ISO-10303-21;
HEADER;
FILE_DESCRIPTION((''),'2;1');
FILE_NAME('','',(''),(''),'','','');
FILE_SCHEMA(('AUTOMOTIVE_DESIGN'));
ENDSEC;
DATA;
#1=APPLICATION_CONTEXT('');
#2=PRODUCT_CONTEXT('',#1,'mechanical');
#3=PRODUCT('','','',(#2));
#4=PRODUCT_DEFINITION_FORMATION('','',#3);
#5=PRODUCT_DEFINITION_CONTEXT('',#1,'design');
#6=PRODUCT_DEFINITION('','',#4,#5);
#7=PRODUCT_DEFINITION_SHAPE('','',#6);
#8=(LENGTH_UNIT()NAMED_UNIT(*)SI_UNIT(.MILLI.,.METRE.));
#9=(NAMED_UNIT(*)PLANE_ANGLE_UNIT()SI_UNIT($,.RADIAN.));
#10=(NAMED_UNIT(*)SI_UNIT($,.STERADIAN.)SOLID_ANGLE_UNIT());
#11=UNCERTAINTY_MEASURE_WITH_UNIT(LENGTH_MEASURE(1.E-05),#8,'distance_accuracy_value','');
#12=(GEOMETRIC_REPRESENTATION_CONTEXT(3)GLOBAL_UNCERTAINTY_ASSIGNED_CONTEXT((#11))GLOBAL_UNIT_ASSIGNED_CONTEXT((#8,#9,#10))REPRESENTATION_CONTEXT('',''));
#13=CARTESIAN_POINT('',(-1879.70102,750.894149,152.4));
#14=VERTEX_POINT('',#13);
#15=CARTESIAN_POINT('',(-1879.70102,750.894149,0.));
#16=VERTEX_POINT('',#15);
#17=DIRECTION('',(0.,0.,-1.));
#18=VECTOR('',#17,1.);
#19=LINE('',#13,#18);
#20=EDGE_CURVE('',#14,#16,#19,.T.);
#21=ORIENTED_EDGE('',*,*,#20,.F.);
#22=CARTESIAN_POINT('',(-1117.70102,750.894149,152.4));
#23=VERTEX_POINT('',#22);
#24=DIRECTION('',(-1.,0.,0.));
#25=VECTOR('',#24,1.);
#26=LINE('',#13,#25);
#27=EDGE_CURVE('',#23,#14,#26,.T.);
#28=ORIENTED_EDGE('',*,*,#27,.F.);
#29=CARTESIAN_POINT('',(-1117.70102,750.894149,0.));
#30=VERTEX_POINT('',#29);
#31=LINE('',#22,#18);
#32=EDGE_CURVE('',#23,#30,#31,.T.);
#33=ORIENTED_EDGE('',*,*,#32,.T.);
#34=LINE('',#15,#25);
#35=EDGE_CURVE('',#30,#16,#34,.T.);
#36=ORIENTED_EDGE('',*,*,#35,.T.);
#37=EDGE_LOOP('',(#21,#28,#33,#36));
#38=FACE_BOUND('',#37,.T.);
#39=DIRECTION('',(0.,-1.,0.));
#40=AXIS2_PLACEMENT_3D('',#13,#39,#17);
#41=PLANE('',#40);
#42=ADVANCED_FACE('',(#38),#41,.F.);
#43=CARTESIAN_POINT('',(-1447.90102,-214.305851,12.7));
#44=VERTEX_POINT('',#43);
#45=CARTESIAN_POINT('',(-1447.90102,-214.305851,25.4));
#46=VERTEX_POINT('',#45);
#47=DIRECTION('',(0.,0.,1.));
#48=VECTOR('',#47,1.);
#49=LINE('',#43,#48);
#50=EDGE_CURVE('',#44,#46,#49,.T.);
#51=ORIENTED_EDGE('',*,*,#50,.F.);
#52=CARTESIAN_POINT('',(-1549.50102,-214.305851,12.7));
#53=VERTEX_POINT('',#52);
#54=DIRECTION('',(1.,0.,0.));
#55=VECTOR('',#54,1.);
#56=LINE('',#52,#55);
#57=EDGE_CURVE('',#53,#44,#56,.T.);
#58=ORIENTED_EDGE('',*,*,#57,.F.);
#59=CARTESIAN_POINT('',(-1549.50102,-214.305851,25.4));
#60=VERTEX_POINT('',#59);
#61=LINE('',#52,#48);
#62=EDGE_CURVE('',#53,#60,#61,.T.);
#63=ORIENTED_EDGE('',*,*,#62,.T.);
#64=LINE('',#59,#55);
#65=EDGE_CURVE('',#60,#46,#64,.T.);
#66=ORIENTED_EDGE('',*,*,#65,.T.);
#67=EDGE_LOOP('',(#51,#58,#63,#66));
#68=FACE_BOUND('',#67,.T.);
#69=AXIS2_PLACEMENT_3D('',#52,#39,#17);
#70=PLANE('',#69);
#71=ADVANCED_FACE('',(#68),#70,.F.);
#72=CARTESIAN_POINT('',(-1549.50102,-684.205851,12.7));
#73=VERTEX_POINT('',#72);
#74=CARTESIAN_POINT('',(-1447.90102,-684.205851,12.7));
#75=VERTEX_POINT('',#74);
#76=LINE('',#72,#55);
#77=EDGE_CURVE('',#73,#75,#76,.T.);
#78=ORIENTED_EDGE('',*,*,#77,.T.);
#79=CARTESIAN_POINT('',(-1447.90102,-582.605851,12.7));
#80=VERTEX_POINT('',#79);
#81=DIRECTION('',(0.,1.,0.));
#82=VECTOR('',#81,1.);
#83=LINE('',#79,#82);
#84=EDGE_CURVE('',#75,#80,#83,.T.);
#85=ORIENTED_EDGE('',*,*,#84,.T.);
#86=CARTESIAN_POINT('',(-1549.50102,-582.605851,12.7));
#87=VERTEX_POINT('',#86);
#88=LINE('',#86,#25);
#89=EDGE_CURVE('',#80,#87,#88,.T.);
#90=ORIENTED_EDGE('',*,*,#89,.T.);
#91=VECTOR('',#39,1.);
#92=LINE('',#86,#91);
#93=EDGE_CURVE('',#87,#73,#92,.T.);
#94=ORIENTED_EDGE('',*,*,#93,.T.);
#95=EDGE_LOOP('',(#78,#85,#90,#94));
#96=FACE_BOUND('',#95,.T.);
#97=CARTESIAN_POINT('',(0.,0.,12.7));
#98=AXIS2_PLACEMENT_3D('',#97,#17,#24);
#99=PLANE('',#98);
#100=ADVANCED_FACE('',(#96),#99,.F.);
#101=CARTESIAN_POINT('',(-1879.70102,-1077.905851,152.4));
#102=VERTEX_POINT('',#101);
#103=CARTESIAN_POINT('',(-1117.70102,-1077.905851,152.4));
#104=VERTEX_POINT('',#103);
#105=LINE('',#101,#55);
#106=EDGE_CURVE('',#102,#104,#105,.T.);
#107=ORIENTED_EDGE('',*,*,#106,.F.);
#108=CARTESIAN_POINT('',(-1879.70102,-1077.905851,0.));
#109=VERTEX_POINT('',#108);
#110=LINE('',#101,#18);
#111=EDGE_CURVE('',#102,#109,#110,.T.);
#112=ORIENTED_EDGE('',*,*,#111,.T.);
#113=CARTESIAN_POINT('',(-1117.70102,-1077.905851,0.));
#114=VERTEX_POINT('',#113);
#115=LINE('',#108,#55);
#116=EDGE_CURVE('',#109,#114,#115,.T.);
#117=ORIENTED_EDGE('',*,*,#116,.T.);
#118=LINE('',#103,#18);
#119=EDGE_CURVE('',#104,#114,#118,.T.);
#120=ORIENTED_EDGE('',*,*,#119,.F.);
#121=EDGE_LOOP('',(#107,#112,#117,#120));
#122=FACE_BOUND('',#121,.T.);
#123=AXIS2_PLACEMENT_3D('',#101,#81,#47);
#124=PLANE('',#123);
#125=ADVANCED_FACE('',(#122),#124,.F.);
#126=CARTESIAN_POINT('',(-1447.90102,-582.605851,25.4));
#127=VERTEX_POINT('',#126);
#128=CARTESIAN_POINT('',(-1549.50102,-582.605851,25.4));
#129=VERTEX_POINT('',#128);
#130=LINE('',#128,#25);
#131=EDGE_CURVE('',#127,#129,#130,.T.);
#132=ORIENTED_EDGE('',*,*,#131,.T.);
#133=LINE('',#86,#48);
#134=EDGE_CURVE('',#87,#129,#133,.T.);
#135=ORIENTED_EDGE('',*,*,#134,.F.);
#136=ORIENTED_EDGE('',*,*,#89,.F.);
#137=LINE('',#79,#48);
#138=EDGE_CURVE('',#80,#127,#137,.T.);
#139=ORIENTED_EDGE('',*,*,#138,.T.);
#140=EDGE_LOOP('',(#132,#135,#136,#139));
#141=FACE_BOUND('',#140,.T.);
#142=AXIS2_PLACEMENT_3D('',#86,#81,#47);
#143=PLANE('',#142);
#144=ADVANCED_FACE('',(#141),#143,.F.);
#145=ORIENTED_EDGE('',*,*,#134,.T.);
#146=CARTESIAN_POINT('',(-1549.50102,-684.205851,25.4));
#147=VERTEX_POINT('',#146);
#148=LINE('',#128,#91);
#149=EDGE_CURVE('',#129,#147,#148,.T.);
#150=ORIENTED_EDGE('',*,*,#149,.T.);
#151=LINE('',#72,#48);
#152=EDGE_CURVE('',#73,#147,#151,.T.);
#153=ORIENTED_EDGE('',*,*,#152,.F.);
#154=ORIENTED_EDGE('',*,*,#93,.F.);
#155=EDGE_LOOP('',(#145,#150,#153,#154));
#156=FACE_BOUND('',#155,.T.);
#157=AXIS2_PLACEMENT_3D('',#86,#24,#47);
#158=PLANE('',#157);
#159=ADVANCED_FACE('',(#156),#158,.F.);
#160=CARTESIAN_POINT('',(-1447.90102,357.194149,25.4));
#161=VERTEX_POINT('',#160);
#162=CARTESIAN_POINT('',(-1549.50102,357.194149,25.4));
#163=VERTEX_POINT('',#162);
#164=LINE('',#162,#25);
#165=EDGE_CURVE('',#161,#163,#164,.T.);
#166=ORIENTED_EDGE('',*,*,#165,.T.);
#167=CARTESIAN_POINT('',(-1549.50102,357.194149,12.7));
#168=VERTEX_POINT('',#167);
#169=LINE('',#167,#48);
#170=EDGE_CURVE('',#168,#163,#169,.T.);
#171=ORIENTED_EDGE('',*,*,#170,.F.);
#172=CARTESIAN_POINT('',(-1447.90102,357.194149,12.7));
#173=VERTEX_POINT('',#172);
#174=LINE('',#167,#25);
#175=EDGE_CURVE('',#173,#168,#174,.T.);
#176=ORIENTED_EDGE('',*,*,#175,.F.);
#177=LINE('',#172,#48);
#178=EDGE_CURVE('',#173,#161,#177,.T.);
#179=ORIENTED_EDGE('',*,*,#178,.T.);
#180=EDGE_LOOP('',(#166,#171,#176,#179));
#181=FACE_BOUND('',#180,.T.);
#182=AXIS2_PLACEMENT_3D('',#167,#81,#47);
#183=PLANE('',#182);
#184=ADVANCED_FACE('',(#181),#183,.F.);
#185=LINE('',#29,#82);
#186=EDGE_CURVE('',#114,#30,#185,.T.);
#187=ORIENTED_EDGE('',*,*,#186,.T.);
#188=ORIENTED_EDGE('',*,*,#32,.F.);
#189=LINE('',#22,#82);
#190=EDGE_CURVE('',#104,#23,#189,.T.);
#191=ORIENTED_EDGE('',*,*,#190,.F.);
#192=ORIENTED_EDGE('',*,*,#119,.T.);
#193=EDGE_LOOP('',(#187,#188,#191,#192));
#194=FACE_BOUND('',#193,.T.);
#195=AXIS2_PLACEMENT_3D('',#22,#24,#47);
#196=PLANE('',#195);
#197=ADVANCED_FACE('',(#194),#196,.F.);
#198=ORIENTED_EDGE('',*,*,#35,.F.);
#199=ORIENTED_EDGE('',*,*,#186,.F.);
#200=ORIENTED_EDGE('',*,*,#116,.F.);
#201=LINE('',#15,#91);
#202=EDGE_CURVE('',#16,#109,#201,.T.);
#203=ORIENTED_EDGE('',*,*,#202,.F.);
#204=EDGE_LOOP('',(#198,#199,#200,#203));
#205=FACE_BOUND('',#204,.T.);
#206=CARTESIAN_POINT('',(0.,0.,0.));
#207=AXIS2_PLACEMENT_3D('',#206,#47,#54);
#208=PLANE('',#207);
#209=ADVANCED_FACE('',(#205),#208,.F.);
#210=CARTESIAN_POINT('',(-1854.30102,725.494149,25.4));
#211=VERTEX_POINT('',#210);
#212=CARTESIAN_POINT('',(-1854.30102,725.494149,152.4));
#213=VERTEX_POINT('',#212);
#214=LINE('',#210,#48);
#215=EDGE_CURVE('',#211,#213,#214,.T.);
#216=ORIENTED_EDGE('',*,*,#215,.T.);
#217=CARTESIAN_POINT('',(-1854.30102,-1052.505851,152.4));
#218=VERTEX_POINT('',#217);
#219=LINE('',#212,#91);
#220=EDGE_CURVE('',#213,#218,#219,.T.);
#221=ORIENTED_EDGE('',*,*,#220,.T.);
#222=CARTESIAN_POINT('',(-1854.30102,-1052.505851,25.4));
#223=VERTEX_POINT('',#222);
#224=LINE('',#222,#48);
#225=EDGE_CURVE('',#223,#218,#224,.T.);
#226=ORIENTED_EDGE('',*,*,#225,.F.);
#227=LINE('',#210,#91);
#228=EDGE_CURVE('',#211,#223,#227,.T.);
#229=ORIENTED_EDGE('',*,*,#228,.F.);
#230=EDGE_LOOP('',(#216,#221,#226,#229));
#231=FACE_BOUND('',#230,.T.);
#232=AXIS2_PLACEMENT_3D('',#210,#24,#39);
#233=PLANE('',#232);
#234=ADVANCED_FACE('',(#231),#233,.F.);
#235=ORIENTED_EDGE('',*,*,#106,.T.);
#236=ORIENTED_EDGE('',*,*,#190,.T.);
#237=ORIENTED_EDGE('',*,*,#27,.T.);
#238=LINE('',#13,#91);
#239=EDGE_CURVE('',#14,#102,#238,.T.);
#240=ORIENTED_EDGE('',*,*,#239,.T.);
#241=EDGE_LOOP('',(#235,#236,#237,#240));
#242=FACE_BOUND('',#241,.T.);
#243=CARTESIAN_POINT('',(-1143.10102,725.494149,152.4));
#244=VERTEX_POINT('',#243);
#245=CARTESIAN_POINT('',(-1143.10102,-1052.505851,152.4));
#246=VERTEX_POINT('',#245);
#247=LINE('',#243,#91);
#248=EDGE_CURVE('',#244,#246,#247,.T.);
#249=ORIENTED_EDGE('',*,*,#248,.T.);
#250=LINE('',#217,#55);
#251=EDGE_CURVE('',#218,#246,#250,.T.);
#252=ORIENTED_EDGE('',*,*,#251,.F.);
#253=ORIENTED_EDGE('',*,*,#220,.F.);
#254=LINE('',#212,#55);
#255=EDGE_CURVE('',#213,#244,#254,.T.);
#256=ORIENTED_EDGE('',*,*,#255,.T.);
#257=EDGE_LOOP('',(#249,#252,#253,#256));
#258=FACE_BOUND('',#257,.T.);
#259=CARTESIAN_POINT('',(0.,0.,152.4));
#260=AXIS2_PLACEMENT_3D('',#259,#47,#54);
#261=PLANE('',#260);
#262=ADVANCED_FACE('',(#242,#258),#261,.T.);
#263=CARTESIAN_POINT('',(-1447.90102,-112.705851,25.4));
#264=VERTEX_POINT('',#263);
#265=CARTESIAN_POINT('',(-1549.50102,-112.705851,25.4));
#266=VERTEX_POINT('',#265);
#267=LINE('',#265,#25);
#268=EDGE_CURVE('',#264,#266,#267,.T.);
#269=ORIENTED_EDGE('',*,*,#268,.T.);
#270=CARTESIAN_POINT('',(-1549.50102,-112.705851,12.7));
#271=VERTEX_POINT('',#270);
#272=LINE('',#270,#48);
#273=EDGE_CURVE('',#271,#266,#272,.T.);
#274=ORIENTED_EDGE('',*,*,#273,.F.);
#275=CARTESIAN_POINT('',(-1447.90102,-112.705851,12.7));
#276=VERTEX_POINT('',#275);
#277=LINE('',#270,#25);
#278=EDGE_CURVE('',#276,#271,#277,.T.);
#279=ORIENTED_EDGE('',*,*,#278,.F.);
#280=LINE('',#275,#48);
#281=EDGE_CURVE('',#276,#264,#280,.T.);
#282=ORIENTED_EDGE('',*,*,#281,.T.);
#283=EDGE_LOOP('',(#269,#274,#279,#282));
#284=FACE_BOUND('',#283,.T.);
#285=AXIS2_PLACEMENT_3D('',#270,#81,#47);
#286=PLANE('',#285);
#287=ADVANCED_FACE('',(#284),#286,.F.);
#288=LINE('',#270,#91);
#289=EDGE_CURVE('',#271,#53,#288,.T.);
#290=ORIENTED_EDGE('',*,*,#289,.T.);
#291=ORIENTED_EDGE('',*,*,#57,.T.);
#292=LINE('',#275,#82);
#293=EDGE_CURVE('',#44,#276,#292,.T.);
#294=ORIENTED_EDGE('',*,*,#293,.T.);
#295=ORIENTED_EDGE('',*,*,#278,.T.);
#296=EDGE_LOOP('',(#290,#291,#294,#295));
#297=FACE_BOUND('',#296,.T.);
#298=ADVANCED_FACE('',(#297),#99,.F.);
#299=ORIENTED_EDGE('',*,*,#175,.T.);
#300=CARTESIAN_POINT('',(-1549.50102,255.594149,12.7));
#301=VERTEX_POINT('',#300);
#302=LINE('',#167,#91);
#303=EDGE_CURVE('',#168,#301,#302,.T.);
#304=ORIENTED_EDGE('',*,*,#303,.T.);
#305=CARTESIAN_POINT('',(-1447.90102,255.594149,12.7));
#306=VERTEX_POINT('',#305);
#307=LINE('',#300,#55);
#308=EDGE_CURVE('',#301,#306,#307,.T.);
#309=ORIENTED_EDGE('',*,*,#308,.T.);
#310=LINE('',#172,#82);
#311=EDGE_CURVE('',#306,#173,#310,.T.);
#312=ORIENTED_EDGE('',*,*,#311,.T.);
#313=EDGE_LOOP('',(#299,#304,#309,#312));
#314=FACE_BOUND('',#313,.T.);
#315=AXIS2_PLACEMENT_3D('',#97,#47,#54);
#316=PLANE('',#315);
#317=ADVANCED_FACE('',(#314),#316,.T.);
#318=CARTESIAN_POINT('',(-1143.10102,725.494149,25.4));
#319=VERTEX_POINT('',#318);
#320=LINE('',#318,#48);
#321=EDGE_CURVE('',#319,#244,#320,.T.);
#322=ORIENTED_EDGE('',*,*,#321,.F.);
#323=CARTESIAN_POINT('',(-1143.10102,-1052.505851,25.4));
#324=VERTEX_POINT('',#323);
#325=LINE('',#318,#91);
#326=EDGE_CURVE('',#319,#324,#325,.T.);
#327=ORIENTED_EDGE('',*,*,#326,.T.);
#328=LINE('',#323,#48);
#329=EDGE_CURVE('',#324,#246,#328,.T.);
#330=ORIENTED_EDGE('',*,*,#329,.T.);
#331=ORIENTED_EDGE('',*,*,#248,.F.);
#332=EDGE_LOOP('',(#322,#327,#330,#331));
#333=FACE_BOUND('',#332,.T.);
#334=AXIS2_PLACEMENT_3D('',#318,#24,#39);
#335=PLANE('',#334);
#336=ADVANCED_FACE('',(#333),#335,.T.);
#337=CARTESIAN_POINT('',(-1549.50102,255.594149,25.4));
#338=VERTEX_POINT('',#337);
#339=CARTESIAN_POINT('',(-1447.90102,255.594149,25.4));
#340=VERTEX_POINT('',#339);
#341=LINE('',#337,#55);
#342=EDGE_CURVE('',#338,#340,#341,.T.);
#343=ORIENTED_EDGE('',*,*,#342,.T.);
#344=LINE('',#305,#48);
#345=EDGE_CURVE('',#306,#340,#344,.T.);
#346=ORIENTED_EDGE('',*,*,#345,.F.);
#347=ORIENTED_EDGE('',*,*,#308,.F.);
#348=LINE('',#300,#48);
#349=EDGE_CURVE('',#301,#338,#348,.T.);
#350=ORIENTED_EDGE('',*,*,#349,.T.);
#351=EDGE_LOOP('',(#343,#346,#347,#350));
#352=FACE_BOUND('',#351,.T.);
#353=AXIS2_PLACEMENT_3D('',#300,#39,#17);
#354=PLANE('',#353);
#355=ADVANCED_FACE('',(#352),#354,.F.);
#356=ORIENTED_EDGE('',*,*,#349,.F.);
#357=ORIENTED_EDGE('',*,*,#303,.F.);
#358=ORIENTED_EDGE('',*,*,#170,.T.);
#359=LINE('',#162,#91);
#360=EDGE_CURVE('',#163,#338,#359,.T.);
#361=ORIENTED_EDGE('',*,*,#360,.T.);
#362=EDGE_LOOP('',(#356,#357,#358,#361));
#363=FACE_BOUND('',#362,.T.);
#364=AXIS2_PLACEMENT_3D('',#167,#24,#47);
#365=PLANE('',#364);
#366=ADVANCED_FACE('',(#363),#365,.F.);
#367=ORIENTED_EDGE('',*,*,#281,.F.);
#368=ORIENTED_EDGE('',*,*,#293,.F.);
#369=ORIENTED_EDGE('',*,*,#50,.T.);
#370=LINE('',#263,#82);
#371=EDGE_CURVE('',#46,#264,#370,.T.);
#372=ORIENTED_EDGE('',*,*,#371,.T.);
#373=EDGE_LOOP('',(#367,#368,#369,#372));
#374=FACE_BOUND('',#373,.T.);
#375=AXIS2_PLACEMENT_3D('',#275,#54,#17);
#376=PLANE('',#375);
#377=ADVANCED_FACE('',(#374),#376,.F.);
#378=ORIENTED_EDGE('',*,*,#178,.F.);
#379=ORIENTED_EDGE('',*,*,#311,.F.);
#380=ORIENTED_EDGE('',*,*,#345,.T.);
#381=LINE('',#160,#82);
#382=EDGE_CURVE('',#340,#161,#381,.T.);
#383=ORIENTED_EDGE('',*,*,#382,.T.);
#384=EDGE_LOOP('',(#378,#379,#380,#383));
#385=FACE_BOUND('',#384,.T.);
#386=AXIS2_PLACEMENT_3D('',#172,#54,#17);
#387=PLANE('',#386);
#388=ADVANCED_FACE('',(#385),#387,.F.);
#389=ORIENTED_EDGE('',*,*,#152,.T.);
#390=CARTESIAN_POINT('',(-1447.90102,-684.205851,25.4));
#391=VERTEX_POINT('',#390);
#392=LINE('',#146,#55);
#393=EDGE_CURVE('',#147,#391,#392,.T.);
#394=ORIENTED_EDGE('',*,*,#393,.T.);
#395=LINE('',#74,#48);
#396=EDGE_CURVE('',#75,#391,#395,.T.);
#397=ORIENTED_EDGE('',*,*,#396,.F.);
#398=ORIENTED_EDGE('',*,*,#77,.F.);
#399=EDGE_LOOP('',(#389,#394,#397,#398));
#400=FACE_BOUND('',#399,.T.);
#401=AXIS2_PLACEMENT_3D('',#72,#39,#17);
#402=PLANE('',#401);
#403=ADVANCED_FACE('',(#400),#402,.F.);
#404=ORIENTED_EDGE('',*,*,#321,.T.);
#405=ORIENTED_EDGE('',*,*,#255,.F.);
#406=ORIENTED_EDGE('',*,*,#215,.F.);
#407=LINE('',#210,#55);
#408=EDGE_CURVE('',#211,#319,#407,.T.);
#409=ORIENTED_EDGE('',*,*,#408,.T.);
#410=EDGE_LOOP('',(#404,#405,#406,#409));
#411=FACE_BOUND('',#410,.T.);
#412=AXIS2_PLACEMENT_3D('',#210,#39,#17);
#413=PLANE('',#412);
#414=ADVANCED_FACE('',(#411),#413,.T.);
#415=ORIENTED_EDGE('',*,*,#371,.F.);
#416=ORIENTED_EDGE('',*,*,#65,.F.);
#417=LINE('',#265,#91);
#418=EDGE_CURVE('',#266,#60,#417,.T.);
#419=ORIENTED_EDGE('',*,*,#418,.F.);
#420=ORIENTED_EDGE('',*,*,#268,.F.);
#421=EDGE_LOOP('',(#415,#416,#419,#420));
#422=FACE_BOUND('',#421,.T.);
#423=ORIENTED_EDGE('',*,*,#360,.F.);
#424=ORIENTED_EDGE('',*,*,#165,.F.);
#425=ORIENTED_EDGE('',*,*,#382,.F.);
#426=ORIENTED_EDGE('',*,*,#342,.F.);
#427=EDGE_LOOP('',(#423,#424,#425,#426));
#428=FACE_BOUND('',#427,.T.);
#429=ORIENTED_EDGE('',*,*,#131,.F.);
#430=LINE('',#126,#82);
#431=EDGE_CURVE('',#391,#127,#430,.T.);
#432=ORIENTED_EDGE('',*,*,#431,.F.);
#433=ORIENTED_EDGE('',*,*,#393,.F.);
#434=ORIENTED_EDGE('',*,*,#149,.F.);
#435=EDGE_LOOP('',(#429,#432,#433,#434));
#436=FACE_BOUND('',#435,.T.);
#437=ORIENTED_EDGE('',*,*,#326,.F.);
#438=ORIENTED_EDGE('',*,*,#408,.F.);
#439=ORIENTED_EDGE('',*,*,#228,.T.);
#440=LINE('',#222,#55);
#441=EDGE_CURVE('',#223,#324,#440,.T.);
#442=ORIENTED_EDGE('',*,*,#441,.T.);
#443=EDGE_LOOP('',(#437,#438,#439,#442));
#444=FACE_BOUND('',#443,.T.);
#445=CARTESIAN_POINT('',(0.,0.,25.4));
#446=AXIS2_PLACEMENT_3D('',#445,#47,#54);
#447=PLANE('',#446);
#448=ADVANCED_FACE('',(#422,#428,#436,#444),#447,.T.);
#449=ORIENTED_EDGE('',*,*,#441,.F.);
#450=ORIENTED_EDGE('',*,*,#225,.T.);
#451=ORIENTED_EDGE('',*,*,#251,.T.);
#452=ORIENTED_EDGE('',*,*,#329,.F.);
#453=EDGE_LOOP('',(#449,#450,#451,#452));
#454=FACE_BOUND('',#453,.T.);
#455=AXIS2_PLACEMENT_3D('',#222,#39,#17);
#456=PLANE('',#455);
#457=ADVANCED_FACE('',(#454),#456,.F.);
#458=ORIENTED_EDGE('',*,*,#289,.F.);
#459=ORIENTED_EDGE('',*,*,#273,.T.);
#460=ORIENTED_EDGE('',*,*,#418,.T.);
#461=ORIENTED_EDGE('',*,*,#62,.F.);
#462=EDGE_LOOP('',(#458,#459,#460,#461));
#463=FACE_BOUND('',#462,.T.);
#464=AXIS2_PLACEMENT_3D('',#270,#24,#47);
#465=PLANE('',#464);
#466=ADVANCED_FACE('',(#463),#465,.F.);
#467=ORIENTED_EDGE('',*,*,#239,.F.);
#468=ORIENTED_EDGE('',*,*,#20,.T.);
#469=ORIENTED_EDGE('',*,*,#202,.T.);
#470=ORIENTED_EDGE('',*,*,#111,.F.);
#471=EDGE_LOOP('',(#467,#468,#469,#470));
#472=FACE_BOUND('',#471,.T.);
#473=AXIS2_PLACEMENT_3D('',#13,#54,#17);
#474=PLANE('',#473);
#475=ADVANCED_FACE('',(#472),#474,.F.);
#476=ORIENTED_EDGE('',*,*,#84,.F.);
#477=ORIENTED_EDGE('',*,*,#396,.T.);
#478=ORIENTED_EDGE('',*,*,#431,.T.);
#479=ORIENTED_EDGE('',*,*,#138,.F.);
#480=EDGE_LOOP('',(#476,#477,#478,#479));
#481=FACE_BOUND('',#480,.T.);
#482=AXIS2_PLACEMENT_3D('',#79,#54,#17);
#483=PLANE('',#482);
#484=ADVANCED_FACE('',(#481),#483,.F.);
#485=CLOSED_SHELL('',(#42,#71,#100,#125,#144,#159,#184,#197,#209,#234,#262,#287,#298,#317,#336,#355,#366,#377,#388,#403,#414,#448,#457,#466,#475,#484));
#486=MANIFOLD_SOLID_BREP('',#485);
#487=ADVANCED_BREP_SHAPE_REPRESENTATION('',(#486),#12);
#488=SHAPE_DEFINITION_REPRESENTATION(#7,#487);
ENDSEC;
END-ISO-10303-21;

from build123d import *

# Parameters (mm, degrees)
SKETCH1_W           = 762
SKETCH1_H           = 1828.8
BOSS_EXTRUDE1_DEPTH = 152.4
SKETCH2_W           = 711.2
SKETCH2_H           = 1778
CUT_EXTRUDE3_DEPTH  = 127
SKETCH10_W          = 101.6
SKETCH10_H          = 101.6
CUT_EXTRUDE4_DEPTH  = 12.7


with BuildPart() as part:
    # Sketch1 → Boss-Extrude1 (new body)
    with BuildSketch(Plane.XY):
        with Locations((-1498.701019621, -163.505851304)):
            Rectangle(SKETCH1_W, SKETCH1_H)
    extrude(amount=BOSS_EXTRUDE1_DEPTH)

    # Sketch2 → Cut-Extrude3 (cut)
    with BuildSketch(Plane.XY.offset(152.4)):
        with Locations((-1498.701019621, -163.505851304)):
            Rectangle(SKETCH2_W, SKETCH2_H)
    extrude(amount=-CUT_EXTRUDE3_DEPTH, mode=Mode.SUBTRACT)

    # Sketch10 → Cut-Extrude4 (cut)
    with BuildSketch(Plane.XY.offset(25.4)):
        with Locations((-1498.701019621, 306.394148696)):
            Rectangle(SKETCH10_W, SKETCH10_H)
        with Locations((-1498.701019621, -163.505851304)):
            Rectangle(SKETCH10_W, SKETCH10_H)
        with Locations((-1498.701019621, -633.405851304)):
            Rectangle(SKETCH10_W, SKETCH10_H)
    extrude(amount=-CUT_EXTRUDE4_DEPTH, mode=Mode.SUBTRACT)


solid = part.part
